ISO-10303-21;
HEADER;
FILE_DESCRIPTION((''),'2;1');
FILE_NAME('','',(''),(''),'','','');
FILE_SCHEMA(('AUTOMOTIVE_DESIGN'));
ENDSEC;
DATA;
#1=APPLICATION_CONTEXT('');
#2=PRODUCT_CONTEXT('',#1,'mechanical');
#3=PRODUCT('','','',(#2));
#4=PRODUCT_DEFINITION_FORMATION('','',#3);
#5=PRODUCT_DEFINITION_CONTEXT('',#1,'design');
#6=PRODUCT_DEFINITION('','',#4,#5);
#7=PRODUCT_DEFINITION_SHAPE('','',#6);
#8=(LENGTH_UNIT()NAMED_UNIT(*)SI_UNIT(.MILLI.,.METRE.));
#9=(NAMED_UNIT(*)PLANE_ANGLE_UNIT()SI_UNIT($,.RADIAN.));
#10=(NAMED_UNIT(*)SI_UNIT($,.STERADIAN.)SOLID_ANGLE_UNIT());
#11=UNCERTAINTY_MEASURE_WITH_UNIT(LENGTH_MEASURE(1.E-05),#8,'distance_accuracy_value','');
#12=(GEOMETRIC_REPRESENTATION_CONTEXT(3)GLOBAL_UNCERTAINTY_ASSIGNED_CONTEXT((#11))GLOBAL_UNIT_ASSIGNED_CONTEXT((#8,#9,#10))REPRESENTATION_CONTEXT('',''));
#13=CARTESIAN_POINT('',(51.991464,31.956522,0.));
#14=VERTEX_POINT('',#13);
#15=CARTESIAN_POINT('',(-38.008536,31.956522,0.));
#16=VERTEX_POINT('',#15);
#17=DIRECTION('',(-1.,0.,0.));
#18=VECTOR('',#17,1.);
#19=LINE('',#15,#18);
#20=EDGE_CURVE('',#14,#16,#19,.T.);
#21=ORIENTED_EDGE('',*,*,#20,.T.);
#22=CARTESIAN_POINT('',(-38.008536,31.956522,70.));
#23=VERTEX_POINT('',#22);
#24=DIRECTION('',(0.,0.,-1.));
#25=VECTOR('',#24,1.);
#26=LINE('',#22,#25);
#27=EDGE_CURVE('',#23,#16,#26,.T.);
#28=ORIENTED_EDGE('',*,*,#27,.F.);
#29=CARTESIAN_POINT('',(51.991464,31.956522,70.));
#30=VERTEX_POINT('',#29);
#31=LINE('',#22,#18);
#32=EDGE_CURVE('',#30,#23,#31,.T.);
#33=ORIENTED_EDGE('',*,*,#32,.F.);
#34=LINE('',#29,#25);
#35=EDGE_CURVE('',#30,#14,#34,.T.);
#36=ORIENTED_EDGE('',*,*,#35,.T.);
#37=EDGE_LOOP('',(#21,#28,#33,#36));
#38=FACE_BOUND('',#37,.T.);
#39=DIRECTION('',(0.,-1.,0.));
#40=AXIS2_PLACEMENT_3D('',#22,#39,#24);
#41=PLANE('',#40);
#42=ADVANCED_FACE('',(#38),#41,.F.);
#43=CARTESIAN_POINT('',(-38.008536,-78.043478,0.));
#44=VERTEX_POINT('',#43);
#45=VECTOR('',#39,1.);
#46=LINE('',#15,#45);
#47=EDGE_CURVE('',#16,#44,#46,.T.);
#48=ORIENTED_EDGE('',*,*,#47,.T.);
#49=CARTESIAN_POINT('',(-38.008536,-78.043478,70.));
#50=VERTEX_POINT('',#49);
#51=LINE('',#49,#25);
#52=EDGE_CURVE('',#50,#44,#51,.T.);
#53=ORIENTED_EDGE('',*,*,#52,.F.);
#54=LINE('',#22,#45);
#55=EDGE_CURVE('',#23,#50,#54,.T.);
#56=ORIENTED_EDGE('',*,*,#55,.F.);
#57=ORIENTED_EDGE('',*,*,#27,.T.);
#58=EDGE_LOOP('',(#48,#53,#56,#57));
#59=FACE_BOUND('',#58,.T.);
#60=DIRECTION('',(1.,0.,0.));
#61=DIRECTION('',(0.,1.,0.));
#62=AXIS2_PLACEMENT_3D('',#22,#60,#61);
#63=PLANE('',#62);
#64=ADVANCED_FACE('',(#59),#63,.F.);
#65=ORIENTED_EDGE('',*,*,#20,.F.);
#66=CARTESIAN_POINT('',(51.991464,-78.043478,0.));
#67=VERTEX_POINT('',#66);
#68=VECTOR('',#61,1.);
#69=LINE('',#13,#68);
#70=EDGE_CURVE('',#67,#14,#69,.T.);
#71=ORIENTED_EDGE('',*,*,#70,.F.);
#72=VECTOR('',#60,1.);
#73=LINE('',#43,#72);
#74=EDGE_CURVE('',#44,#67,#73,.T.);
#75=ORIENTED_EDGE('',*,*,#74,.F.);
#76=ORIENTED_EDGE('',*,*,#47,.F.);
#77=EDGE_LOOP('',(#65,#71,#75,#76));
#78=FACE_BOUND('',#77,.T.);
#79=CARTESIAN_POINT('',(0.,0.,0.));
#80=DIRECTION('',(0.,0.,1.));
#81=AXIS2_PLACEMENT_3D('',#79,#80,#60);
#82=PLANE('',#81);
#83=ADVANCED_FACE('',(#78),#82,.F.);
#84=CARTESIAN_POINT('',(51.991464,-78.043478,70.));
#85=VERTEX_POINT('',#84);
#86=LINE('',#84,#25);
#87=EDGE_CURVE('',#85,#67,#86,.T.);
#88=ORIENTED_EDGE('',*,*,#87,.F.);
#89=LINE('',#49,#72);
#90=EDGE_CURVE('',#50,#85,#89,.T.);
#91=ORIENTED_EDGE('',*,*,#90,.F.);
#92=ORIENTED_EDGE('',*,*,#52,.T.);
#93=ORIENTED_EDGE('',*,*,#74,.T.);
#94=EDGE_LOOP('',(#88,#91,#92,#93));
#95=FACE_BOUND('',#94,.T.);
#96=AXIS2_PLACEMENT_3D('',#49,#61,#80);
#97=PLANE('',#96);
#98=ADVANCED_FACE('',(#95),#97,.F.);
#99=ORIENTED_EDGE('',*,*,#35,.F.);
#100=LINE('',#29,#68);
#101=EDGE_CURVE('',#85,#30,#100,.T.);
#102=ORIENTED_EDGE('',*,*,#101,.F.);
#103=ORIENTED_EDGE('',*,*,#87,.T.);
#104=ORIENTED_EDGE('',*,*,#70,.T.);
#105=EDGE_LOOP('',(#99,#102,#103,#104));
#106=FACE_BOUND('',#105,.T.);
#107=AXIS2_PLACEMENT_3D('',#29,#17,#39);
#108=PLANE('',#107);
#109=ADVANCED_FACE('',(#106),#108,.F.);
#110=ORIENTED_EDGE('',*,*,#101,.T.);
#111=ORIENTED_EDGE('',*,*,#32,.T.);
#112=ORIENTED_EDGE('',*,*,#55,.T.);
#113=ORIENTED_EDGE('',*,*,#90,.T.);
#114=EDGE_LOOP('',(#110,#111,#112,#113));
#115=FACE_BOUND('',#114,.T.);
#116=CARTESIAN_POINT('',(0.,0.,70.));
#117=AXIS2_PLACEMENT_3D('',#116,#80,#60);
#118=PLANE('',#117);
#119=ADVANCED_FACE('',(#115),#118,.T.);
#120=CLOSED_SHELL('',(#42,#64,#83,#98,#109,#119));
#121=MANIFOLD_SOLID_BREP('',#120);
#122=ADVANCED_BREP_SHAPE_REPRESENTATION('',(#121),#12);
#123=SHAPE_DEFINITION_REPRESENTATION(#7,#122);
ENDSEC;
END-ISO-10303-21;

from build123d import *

# Parameters (mm, degrees)
ESQUISSE1_W        = 90
ESQUISSE1_H        = 110
BOSS_EXTRU_1_DEPTH = 70


with BuildPart() as part:
    # Esquisse1 → Boss.-Extru.1 (new body)
    with BuildSketch(Plane.XY):
        with Locations((6.991463889, -23.043478261)):
            Rectangle(ESQUISSE1_W, ESQUISSE1_H)
    extrude(amount=BOSS_EXTRU_1_DEPTH)


solid = part.part
